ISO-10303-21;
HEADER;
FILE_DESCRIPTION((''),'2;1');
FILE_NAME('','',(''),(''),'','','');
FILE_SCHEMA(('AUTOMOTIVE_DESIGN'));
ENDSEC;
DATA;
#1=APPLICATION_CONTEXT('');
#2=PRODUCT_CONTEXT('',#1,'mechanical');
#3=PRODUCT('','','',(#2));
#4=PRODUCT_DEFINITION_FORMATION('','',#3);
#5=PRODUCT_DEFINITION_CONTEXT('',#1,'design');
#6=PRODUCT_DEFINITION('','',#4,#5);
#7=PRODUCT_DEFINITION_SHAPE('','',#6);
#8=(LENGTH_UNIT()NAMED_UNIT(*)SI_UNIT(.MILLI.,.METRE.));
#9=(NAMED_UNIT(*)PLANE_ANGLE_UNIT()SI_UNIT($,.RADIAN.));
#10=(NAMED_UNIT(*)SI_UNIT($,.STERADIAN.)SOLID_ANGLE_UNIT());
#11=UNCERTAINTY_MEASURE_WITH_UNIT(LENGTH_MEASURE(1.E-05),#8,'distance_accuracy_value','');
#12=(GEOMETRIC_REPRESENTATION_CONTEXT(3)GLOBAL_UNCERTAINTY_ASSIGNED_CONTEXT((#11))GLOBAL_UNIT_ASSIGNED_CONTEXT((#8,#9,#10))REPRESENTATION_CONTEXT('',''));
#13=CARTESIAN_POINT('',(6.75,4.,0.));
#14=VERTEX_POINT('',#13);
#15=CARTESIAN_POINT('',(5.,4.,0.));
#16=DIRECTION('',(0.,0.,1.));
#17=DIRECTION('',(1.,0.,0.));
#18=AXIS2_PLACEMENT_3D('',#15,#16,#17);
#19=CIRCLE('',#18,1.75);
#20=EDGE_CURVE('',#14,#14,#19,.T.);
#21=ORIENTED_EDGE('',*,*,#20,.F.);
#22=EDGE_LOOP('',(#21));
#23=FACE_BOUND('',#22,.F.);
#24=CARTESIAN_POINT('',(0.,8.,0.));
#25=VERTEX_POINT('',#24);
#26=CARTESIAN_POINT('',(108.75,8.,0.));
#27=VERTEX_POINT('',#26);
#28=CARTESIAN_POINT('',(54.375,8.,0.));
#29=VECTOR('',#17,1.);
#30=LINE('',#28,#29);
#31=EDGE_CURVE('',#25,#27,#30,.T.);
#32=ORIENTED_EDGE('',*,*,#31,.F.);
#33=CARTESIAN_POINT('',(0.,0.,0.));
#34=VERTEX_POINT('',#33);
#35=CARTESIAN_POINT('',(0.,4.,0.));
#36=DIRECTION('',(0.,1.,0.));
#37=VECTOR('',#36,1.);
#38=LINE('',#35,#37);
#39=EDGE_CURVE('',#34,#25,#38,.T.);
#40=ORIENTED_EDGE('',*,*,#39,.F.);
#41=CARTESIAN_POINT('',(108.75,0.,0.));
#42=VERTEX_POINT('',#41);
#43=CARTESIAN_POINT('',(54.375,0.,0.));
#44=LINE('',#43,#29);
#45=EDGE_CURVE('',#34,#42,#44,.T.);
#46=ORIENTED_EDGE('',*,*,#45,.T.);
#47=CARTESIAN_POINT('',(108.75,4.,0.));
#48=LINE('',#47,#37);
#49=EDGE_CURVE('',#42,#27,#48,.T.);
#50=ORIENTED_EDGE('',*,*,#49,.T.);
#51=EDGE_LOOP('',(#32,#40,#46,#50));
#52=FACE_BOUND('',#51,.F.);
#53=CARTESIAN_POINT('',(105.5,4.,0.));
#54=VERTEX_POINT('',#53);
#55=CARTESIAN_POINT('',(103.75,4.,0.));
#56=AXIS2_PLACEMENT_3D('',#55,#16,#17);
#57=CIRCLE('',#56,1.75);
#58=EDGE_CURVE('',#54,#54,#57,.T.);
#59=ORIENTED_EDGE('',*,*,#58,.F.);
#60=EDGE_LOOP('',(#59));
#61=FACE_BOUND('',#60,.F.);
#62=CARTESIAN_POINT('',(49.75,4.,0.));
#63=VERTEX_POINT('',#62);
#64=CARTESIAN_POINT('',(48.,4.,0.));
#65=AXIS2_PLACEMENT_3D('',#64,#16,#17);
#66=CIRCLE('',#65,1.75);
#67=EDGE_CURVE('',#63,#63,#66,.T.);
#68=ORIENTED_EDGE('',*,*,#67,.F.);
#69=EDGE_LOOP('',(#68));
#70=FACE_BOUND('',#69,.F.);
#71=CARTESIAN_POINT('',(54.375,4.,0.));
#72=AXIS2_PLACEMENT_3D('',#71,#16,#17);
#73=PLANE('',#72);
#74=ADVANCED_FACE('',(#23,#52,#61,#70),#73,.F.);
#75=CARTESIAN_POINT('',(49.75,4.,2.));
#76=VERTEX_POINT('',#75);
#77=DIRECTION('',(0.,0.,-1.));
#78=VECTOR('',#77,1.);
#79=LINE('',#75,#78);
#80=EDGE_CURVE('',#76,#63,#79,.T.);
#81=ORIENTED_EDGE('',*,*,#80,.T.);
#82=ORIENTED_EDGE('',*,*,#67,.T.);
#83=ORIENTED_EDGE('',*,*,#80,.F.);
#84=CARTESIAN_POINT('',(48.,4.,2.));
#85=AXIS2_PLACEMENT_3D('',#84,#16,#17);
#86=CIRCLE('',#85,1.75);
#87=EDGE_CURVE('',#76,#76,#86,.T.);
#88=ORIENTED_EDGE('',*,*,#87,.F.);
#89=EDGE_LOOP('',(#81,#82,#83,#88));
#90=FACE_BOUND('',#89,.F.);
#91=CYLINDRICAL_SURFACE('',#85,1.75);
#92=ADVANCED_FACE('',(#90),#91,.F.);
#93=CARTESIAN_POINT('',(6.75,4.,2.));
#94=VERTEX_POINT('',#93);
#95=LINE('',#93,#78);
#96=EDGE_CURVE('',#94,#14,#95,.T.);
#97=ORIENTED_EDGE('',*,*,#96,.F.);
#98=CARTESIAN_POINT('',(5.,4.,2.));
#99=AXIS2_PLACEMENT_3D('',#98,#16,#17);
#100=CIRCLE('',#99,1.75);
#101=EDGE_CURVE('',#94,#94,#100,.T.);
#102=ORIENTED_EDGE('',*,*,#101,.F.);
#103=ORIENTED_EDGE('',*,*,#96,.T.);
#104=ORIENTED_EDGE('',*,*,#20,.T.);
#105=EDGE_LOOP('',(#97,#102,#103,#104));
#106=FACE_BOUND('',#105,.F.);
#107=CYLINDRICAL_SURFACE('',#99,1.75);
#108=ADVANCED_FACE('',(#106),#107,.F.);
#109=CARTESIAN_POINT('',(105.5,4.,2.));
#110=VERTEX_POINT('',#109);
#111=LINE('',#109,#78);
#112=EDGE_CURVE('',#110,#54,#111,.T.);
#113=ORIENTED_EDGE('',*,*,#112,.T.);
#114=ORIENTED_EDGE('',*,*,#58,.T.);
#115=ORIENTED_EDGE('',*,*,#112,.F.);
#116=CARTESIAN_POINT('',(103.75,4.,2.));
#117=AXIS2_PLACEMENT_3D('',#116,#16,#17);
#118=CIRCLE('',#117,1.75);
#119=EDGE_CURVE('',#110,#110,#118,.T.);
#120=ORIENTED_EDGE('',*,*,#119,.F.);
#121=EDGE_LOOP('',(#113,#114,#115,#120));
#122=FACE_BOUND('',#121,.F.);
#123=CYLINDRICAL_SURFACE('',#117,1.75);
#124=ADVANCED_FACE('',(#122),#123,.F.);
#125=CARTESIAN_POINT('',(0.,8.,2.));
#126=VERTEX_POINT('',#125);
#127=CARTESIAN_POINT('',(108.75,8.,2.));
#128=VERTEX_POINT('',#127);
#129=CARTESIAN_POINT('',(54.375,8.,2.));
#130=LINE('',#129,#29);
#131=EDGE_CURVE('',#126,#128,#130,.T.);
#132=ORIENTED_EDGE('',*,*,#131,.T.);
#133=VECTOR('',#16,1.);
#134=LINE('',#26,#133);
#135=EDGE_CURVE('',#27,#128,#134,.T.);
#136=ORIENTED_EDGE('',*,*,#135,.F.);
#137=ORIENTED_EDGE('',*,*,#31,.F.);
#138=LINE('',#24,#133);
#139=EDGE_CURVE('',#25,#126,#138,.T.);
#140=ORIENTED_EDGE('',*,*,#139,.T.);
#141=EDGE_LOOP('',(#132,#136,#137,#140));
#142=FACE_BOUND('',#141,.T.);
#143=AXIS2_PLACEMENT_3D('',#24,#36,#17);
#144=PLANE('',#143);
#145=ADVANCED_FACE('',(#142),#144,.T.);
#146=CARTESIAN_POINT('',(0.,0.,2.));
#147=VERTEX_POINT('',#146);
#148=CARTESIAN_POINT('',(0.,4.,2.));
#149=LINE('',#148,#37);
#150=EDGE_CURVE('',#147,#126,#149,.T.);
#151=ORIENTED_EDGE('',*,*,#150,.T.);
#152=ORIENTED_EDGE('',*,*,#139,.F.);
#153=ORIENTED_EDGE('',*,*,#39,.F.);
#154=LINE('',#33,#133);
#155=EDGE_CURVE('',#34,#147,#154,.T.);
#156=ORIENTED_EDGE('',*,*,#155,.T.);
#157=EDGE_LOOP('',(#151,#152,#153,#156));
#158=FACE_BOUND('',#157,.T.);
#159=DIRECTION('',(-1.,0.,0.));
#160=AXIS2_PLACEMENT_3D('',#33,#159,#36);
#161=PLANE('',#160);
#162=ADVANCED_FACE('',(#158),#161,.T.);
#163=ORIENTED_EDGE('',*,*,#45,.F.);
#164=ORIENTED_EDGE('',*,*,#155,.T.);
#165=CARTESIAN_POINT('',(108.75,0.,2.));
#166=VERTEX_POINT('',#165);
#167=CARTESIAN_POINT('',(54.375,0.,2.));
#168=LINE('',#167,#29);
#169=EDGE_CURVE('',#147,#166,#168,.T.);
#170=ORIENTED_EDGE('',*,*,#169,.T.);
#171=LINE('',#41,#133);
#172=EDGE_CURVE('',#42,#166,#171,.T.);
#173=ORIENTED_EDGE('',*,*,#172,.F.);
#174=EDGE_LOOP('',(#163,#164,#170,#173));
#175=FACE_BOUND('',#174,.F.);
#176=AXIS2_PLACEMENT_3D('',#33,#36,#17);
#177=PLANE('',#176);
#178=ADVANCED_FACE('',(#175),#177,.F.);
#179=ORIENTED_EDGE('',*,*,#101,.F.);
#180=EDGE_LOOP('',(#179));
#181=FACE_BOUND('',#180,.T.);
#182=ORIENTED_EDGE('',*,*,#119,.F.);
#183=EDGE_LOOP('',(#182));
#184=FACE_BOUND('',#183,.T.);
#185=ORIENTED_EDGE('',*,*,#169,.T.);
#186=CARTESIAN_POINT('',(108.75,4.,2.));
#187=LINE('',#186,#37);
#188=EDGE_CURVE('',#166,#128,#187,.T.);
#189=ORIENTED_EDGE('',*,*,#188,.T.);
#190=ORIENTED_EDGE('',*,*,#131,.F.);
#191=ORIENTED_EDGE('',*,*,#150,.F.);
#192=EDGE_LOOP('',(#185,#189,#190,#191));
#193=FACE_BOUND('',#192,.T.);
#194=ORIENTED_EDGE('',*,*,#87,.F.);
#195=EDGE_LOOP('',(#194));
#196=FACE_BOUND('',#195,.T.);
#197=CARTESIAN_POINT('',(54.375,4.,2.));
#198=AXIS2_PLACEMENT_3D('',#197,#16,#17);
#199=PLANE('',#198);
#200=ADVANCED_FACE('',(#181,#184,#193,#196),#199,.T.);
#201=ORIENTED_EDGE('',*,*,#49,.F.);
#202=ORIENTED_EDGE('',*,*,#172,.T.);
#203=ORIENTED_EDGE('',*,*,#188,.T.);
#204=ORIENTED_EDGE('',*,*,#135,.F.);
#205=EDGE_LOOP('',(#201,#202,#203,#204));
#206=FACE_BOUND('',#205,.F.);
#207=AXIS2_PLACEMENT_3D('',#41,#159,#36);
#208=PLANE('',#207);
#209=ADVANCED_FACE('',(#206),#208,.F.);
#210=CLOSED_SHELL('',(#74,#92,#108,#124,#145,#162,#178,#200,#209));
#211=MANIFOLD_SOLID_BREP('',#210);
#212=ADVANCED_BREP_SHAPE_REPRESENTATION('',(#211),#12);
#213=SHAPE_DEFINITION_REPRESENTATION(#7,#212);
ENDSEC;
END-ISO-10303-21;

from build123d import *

# Parameters (mm, degrees)
SKETCH001_W  = 108.75
SKETCH001_H  = 8
PAD_DEPTH    = 2
SKETCH_R     = 1.75
POCKET_DEPTH = 10


with BuildPart() as part:
    # Sketch001 → Pad (new body)
    with BuildSketch(Plane.XY):
        with Locations((54.375, 4)):
            Rectangle(SKETCH001_W, SKETCH001_H)
    extrude(amount=PAD_DEPTH)

    # Sketch (on Face6 of Pad) → Pocket (cut)
    with BuildSketch(Plane.XY.offset(2)):
        with Locations((5, 4)):
            Circle(SKETCH_R)
        with Locations((48, 4)):
            Circle(SKETCH_R)
        with Locations((103.75, 4)):
            Circle(SKETCH_R)
    extrude(amount=-POCKET_DEPTH, mode=Mode.SUBTRACT)


solid = part.part
